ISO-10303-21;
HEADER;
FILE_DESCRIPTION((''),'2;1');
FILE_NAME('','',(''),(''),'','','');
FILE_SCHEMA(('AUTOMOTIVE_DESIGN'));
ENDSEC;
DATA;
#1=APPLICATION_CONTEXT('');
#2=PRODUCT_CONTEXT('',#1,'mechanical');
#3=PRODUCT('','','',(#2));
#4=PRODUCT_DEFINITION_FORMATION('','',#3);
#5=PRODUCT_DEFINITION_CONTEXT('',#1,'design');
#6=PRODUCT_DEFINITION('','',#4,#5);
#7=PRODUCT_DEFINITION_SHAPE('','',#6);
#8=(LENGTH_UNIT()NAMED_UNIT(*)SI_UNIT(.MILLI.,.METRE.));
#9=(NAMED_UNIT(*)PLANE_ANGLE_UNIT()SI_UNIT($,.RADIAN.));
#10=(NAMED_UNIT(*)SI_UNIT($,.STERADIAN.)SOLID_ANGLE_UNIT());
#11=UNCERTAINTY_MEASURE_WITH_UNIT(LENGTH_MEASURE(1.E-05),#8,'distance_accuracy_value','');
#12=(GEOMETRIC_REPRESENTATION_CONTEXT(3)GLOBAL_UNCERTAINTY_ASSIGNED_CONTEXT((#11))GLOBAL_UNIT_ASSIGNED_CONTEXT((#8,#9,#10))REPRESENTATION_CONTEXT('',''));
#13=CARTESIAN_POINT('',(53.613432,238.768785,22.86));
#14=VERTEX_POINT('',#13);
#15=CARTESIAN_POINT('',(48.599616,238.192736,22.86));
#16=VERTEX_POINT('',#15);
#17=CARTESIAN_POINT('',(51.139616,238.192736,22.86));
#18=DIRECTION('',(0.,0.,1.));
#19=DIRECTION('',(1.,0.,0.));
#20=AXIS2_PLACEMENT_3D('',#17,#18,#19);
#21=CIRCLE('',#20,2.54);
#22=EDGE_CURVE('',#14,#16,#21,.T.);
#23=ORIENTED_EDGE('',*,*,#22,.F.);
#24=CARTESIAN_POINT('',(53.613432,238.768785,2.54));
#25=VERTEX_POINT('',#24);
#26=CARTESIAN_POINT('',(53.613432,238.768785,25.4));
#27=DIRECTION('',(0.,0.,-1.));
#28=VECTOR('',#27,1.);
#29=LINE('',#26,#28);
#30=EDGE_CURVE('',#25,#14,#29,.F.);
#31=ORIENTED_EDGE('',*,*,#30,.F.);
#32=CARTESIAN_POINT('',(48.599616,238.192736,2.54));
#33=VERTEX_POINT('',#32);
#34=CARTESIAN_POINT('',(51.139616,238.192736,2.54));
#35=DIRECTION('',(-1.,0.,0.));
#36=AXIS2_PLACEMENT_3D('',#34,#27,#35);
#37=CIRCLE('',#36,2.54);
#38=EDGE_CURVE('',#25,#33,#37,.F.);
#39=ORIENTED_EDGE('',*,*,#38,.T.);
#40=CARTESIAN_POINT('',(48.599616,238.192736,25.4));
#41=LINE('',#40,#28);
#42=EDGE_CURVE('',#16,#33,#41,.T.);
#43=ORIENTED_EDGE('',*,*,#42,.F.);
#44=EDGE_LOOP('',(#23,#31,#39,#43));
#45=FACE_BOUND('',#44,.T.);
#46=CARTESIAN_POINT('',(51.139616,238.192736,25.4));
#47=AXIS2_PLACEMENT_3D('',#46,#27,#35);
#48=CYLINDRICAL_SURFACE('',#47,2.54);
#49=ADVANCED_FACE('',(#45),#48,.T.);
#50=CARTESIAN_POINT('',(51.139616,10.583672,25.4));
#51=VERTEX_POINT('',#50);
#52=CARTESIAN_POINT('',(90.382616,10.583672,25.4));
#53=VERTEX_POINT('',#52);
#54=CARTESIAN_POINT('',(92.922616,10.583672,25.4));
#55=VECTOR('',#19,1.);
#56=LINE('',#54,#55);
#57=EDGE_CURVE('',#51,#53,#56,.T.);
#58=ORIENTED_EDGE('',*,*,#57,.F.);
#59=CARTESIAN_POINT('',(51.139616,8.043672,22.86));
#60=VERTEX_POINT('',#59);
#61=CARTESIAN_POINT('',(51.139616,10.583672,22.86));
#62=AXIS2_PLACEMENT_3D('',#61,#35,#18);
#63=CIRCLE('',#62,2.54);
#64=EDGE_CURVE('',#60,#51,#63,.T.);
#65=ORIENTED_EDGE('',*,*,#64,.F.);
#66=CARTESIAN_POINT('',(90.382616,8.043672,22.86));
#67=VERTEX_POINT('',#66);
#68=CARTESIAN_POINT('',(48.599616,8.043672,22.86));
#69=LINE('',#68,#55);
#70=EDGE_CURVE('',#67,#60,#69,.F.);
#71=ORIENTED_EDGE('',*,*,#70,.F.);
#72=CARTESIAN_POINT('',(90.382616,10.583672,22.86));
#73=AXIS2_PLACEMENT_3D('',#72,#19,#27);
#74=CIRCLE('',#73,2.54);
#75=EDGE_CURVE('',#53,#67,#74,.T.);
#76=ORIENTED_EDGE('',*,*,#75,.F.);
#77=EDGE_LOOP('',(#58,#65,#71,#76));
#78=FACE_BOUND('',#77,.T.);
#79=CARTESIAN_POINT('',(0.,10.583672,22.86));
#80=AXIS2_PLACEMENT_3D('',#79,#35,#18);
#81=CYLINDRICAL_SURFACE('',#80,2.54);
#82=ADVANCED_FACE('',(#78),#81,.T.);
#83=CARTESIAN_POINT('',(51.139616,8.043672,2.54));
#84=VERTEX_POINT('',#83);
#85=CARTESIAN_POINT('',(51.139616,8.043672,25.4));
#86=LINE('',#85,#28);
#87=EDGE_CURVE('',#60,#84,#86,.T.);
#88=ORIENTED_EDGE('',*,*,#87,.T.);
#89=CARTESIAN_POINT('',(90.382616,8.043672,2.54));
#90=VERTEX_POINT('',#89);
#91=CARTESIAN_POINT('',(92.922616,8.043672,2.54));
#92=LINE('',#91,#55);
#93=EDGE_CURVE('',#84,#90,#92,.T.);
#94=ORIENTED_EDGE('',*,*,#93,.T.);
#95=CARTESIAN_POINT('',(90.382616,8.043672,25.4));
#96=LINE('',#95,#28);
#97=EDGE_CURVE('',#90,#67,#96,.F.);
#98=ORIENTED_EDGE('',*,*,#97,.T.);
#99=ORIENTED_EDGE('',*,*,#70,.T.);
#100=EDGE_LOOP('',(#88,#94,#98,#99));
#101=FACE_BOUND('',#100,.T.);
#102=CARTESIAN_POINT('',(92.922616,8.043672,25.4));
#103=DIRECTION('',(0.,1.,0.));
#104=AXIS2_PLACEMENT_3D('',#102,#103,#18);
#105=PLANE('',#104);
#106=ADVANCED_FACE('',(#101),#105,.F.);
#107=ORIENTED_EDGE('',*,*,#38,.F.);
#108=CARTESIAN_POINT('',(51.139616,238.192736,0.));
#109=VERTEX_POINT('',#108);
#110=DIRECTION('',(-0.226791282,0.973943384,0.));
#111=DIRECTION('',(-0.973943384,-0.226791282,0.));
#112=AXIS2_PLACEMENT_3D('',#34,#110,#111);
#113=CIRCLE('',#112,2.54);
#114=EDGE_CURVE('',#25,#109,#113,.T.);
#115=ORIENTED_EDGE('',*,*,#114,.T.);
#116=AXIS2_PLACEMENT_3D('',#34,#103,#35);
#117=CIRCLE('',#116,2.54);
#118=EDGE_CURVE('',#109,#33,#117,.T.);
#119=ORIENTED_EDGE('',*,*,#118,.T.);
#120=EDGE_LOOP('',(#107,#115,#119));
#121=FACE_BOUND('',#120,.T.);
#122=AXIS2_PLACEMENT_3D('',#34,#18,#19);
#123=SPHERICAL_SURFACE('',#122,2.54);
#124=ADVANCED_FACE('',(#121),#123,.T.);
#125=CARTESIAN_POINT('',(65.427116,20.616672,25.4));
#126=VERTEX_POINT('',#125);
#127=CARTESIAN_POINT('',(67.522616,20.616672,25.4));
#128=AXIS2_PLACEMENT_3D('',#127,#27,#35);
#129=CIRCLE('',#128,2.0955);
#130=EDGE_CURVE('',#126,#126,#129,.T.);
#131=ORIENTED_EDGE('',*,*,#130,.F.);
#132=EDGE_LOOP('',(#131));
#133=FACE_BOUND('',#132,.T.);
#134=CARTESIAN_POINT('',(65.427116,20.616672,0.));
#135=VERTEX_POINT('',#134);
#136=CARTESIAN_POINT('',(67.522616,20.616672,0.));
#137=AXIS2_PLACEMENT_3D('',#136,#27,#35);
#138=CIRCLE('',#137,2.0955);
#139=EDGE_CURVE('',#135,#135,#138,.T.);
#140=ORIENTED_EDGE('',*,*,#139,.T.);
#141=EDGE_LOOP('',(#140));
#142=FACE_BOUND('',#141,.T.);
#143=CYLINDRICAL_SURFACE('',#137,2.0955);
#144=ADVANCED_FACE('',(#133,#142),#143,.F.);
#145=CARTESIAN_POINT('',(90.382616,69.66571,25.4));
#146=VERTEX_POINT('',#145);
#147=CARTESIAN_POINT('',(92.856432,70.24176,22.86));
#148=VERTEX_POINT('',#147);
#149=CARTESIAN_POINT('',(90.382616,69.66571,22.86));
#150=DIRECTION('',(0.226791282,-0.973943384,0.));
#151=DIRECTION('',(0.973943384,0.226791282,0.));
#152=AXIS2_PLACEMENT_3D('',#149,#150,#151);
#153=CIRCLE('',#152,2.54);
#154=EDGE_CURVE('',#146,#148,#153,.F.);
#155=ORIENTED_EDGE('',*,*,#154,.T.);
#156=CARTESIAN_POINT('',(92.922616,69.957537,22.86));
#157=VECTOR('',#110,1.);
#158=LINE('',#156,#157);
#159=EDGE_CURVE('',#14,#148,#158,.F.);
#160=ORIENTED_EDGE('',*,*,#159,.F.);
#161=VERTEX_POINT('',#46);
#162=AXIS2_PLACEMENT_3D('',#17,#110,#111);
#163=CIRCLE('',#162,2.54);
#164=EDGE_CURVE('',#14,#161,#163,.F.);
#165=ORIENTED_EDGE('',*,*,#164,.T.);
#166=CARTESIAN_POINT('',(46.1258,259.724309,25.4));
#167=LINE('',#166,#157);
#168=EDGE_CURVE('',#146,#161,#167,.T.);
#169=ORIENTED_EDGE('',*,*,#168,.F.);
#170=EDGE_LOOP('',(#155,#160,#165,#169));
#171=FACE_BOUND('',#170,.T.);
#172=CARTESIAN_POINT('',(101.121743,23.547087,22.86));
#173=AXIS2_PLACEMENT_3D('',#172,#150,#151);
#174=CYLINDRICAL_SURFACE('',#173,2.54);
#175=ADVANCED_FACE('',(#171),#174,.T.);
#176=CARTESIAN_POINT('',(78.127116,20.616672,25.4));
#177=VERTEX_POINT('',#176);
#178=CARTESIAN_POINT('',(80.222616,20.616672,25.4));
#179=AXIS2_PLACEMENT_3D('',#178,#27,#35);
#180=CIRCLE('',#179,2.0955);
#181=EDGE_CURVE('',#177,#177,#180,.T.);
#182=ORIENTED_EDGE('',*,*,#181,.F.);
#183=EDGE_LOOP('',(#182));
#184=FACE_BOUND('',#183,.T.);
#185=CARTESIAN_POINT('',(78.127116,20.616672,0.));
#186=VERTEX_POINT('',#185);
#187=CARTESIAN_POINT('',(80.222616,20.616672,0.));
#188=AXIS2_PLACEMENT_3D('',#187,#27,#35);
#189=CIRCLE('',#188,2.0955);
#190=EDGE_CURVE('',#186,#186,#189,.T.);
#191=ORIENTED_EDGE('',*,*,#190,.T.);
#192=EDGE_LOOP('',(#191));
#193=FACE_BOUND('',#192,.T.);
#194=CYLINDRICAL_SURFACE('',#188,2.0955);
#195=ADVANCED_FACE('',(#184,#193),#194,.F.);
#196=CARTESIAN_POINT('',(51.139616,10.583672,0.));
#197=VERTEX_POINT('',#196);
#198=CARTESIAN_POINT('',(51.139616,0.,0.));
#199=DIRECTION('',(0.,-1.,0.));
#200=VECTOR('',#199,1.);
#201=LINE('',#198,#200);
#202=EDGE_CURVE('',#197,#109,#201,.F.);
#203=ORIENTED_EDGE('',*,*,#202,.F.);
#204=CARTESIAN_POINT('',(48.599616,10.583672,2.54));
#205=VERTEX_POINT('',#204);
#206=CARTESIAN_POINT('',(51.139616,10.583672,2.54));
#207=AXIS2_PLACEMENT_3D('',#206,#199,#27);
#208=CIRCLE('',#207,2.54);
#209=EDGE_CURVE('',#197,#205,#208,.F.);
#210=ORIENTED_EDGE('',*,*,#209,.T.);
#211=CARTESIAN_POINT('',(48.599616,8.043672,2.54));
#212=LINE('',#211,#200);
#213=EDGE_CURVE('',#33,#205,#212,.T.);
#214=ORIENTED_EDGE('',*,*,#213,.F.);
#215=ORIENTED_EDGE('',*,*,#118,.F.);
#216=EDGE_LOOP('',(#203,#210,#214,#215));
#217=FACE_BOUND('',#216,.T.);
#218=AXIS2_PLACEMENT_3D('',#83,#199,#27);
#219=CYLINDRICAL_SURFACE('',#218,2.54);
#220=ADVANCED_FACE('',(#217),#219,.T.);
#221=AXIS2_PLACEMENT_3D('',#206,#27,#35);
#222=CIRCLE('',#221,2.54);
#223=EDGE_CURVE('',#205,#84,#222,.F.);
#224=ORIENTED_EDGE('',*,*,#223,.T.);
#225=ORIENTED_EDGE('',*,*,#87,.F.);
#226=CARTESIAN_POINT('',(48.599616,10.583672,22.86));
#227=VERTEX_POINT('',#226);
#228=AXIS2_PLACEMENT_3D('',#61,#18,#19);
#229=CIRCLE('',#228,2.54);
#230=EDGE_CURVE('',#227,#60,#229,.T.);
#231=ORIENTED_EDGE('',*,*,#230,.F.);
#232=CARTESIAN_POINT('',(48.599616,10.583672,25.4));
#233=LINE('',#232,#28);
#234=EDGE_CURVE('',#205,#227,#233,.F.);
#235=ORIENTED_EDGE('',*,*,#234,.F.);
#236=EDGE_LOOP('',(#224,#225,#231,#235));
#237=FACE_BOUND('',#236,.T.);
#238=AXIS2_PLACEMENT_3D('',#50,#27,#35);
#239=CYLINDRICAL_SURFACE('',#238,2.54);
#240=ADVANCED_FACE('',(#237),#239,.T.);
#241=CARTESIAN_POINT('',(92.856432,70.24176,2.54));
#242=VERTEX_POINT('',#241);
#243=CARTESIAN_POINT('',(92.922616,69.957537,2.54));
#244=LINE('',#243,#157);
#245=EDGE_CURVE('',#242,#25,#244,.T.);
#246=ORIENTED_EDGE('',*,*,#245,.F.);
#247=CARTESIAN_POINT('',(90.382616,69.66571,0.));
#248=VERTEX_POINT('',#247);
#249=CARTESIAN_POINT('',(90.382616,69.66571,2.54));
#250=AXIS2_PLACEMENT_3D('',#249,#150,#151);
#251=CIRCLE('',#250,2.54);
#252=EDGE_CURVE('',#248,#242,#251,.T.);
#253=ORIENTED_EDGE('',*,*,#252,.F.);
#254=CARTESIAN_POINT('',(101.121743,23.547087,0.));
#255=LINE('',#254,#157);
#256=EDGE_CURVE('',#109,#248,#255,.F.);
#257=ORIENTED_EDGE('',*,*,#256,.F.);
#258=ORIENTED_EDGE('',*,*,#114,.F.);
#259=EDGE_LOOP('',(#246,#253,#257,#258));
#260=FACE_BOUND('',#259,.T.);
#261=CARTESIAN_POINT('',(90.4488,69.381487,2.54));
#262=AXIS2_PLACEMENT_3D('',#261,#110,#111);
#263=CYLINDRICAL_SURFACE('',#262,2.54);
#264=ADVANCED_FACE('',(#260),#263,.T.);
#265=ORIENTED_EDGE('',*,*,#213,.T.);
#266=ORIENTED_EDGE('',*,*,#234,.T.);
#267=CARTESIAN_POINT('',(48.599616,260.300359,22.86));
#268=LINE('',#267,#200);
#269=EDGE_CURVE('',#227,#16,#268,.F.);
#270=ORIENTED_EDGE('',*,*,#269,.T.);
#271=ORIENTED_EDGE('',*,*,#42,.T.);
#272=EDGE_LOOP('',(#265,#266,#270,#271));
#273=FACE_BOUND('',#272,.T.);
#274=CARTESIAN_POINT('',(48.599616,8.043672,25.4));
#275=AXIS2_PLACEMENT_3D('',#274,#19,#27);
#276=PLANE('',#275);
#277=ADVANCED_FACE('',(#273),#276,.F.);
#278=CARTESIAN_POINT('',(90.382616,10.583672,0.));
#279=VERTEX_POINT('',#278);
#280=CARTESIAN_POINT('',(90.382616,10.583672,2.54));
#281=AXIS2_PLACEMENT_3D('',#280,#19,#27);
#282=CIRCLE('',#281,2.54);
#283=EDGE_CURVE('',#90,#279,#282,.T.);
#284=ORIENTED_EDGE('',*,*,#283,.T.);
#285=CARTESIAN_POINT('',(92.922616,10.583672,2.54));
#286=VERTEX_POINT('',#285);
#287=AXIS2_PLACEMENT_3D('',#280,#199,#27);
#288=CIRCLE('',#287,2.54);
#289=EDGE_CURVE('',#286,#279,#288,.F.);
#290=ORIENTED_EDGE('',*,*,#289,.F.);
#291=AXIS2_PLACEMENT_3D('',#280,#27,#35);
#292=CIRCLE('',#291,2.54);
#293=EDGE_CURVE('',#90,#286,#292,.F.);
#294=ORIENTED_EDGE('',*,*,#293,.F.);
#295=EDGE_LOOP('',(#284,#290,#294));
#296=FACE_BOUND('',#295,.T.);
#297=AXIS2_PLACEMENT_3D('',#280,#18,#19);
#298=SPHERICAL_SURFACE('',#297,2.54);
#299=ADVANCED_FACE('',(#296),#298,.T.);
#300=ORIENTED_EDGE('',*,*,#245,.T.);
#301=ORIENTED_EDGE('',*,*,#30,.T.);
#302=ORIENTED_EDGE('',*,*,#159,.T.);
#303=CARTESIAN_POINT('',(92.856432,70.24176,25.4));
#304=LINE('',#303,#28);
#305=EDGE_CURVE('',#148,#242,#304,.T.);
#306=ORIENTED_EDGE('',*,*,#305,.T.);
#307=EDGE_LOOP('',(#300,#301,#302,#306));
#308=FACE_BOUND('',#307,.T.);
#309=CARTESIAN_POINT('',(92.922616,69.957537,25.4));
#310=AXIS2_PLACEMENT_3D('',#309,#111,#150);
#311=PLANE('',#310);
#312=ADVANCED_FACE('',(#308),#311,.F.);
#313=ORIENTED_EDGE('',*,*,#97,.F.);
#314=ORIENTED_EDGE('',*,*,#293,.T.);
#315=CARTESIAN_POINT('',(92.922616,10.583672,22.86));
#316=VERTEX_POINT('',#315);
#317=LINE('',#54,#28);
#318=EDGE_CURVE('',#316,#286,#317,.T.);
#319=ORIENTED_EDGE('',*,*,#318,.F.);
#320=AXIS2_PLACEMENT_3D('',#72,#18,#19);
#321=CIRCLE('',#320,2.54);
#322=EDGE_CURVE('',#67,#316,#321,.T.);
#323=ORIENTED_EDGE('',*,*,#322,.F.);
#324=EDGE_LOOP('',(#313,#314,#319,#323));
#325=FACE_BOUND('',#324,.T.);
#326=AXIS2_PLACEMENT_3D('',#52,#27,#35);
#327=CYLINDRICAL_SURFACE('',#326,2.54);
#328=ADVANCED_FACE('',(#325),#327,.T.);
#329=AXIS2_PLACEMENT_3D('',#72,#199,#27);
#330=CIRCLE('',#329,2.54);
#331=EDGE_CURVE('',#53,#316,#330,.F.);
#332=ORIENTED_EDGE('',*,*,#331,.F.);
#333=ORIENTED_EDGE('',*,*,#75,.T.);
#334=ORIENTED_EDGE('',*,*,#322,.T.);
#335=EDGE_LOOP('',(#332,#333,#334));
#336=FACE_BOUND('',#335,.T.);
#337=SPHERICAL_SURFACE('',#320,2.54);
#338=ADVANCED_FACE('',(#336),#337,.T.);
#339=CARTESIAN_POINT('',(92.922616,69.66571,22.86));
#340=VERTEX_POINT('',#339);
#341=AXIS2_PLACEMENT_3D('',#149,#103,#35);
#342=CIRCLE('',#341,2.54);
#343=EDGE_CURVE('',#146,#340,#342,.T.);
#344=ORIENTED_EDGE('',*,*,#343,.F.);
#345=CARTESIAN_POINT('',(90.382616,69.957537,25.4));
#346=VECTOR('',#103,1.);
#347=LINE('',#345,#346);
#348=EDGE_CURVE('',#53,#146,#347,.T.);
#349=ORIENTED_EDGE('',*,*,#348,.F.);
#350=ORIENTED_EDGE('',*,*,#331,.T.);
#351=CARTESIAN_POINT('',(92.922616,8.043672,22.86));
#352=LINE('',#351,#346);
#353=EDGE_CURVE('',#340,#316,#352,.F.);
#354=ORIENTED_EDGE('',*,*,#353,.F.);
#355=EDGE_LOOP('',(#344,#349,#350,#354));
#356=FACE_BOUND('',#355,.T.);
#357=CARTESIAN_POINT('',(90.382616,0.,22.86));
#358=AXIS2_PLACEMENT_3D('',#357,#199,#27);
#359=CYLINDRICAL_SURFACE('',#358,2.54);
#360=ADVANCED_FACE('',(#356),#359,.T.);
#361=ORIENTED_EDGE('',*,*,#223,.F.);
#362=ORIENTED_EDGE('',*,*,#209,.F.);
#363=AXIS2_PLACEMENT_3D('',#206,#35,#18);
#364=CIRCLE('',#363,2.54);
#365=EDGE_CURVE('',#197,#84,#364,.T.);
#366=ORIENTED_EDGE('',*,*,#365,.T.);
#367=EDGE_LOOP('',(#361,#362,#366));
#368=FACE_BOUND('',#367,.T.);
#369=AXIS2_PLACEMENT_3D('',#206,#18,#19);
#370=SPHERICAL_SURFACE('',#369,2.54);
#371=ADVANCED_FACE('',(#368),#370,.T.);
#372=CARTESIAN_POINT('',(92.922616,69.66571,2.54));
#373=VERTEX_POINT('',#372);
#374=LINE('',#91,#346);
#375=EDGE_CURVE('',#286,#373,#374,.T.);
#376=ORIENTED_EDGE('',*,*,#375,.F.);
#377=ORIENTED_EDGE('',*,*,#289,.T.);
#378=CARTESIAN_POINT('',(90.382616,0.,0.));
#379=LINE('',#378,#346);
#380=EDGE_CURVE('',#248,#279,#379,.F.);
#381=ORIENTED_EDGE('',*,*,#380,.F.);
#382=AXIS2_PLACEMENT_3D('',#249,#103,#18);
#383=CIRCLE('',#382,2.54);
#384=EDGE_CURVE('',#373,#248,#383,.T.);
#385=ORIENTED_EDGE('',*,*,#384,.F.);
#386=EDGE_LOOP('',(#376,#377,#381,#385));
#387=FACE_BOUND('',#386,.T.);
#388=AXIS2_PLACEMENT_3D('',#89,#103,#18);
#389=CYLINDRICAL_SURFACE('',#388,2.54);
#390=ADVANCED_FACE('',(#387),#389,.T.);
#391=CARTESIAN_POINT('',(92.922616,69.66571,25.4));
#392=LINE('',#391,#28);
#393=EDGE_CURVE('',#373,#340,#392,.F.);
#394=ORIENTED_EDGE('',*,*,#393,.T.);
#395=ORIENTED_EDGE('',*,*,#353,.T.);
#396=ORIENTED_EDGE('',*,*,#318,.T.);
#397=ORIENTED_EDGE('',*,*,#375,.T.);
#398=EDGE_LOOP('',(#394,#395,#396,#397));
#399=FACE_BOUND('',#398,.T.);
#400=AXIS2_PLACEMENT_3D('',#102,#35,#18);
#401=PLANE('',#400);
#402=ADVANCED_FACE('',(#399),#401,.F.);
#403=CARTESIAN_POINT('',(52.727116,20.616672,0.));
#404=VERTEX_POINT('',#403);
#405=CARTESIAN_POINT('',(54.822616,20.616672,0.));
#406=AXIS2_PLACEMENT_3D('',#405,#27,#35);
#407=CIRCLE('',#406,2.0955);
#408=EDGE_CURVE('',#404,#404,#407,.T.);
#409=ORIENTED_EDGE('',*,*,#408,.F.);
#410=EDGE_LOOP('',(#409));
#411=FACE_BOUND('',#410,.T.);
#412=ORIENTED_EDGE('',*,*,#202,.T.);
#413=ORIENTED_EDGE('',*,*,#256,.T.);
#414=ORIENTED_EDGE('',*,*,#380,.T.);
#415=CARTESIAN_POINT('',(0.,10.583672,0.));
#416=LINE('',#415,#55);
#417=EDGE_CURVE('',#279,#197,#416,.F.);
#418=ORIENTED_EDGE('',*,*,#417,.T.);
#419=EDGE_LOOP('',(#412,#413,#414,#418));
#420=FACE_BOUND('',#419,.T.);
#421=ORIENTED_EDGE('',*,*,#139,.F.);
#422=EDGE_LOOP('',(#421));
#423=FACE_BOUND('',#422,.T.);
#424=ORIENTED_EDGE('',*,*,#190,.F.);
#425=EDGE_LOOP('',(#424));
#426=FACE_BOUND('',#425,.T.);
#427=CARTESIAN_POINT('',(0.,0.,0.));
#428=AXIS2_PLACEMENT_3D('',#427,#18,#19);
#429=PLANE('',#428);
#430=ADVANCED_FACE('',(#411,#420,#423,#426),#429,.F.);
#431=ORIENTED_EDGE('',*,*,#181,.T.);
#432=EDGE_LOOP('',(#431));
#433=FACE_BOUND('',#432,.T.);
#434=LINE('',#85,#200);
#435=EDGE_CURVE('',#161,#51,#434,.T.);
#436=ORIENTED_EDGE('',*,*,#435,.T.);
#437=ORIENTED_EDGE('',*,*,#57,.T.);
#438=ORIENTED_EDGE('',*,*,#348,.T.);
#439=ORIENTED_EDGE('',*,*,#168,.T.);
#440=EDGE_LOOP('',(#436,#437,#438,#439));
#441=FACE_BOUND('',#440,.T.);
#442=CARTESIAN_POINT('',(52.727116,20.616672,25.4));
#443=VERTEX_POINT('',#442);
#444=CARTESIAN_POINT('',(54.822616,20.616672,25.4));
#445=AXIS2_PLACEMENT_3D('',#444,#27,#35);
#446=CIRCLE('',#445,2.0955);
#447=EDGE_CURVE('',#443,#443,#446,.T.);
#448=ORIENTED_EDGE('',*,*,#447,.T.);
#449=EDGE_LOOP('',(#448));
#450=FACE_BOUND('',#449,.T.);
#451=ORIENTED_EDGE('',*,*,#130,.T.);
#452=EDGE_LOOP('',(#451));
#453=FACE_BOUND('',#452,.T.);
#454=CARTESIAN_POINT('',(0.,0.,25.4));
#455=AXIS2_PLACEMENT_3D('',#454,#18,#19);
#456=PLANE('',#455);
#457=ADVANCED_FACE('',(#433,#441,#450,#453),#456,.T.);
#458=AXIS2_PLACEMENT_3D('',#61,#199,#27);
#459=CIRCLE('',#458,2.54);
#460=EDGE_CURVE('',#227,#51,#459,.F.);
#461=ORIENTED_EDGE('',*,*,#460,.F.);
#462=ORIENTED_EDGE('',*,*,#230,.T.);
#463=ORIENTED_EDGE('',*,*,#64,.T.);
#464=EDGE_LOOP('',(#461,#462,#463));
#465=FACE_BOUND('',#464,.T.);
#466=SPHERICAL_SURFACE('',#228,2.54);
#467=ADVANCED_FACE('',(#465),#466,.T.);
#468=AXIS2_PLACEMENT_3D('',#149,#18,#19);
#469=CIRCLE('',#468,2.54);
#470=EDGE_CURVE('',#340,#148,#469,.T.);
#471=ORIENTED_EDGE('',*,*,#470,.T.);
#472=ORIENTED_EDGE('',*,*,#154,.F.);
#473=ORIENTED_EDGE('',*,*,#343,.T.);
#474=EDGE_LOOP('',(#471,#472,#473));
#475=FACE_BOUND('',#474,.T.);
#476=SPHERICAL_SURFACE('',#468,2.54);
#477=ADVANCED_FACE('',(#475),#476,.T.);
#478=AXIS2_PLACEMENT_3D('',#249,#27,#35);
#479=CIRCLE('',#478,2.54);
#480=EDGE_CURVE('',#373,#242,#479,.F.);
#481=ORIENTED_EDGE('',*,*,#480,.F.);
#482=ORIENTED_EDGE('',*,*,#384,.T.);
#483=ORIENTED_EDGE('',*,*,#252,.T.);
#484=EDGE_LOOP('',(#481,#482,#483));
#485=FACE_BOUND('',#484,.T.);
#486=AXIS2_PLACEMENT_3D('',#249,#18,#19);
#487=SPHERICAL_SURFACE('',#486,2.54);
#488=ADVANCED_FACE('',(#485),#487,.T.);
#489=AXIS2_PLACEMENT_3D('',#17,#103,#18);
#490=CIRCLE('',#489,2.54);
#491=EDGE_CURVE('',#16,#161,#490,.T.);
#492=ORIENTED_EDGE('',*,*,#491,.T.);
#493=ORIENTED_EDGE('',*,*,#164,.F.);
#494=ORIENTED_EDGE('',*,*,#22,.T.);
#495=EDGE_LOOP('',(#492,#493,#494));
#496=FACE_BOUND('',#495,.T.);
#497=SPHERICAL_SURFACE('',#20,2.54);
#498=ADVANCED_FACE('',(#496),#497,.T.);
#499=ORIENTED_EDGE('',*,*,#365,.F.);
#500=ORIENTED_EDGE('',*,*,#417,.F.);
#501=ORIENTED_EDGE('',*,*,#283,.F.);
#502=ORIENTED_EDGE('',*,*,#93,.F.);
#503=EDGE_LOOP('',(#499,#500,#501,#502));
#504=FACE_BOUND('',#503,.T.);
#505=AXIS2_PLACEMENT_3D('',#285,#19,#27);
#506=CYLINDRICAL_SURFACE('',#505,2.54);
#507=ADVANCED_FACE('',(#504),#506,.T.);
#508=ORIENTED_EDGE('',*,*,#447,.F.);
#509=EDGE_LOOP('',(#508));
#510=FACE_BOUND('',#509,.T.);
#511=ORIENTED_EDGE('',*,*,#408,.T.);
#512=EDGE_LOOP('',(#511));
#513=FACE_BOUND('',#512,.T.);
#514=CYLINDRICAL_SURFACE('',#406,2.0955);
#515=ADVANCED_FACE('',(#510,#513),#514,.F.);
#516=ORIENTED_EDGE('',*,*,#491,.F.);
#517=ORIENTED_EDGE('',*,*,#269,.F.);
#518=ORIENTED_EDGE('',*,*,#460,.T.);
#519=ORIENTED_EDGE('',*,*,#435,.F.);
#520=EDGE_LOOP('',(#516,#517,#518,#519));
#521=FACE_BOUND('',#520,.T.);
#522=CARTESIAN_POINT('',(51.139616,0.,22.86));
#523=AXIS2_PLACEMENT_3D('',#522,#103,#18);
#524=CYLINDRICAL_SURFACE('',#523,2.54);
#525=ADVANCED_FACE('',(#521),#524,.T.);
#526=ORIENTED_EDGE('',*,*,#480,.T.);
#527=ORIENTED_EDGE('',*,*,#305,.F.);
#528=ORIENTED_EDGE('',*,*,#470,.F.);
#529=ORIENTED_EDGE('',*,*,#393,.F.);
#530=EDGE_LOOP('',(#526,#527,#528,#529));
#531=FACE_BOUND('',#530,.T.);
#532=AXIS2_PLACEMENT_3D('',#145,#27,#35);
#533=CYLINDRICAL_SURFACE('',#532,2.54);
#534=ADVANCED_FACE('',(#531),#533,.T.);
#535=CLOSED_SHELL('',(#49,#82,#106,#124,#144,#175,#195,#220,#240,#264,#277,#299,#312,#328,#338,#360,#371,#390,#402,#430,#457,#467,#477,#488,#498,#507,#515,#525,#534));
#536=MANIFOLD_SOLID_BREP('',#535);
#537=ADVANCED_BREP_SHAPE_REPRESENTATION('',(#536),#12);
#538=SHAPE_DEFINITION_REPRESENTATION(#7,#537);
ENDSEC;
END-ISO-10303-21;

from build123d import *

# Parameters (mm, degrees)
BOSS_EXTRUDE2_DEPTH   = 25.4
F_8_CLEARANCE_HOLE1_D = 4.191
FILLET1_R             = 2.54


with BuildPart() as part:
    # Sketch2 → Boss-Extrude2 (new body)
    with BuildSketch(Plane.XY):
        Polygon((92.922616299, 8.043671593), (48.599616303, 8.043671593), (48.599616303, 260.300358649), (92.922616299, 69.957537027), align=None)
    extrude(amount=BOSS_EXTRUDE2_DEPTH)

    # #8 Clearance Hole1 (through all)
    with Locations(Plane(origin=(0, 0, 0), x_dir=(-1, 0, 0), z_dir=(0, 0, -1))):
        with Locations((-80.22261633, 20.616671539), (-67.52261633, 20.616671539), (-54.82261633, 20.616671539)):
            Hole(F_8_CLEARANCE_HOLE1_D / 2)

    # Fillet1
    fillet1_edges = [part.edges().sort_by_distance(p)[0] for p in [
        (92.922616299, 39.00060431, 25.4),
        (70.761116301, 165.128947838, 25.4),
        (48.599616303, 134.172015121, 25.4),
        (70.761116301, 165.128947838, 0),
        (92.922616299, 39.00060431, 0),
        (70.761116301, 8.043671593, 0),
        (48.599616303, 134.172015121, 0),
        (70.761116301, 8.043671593, 25.4),
        (48.599616303, 260.300358649, 12.7),
        (92.922616299, 69.957537027, 12.7),
        (92.922616299, 8.043671593, 12.7),
        (48.599616303, 8.043671593, 12.7),
    ]]
    fillet(fillet1_edges, radius=FILLET1_R)


solid = part.part
